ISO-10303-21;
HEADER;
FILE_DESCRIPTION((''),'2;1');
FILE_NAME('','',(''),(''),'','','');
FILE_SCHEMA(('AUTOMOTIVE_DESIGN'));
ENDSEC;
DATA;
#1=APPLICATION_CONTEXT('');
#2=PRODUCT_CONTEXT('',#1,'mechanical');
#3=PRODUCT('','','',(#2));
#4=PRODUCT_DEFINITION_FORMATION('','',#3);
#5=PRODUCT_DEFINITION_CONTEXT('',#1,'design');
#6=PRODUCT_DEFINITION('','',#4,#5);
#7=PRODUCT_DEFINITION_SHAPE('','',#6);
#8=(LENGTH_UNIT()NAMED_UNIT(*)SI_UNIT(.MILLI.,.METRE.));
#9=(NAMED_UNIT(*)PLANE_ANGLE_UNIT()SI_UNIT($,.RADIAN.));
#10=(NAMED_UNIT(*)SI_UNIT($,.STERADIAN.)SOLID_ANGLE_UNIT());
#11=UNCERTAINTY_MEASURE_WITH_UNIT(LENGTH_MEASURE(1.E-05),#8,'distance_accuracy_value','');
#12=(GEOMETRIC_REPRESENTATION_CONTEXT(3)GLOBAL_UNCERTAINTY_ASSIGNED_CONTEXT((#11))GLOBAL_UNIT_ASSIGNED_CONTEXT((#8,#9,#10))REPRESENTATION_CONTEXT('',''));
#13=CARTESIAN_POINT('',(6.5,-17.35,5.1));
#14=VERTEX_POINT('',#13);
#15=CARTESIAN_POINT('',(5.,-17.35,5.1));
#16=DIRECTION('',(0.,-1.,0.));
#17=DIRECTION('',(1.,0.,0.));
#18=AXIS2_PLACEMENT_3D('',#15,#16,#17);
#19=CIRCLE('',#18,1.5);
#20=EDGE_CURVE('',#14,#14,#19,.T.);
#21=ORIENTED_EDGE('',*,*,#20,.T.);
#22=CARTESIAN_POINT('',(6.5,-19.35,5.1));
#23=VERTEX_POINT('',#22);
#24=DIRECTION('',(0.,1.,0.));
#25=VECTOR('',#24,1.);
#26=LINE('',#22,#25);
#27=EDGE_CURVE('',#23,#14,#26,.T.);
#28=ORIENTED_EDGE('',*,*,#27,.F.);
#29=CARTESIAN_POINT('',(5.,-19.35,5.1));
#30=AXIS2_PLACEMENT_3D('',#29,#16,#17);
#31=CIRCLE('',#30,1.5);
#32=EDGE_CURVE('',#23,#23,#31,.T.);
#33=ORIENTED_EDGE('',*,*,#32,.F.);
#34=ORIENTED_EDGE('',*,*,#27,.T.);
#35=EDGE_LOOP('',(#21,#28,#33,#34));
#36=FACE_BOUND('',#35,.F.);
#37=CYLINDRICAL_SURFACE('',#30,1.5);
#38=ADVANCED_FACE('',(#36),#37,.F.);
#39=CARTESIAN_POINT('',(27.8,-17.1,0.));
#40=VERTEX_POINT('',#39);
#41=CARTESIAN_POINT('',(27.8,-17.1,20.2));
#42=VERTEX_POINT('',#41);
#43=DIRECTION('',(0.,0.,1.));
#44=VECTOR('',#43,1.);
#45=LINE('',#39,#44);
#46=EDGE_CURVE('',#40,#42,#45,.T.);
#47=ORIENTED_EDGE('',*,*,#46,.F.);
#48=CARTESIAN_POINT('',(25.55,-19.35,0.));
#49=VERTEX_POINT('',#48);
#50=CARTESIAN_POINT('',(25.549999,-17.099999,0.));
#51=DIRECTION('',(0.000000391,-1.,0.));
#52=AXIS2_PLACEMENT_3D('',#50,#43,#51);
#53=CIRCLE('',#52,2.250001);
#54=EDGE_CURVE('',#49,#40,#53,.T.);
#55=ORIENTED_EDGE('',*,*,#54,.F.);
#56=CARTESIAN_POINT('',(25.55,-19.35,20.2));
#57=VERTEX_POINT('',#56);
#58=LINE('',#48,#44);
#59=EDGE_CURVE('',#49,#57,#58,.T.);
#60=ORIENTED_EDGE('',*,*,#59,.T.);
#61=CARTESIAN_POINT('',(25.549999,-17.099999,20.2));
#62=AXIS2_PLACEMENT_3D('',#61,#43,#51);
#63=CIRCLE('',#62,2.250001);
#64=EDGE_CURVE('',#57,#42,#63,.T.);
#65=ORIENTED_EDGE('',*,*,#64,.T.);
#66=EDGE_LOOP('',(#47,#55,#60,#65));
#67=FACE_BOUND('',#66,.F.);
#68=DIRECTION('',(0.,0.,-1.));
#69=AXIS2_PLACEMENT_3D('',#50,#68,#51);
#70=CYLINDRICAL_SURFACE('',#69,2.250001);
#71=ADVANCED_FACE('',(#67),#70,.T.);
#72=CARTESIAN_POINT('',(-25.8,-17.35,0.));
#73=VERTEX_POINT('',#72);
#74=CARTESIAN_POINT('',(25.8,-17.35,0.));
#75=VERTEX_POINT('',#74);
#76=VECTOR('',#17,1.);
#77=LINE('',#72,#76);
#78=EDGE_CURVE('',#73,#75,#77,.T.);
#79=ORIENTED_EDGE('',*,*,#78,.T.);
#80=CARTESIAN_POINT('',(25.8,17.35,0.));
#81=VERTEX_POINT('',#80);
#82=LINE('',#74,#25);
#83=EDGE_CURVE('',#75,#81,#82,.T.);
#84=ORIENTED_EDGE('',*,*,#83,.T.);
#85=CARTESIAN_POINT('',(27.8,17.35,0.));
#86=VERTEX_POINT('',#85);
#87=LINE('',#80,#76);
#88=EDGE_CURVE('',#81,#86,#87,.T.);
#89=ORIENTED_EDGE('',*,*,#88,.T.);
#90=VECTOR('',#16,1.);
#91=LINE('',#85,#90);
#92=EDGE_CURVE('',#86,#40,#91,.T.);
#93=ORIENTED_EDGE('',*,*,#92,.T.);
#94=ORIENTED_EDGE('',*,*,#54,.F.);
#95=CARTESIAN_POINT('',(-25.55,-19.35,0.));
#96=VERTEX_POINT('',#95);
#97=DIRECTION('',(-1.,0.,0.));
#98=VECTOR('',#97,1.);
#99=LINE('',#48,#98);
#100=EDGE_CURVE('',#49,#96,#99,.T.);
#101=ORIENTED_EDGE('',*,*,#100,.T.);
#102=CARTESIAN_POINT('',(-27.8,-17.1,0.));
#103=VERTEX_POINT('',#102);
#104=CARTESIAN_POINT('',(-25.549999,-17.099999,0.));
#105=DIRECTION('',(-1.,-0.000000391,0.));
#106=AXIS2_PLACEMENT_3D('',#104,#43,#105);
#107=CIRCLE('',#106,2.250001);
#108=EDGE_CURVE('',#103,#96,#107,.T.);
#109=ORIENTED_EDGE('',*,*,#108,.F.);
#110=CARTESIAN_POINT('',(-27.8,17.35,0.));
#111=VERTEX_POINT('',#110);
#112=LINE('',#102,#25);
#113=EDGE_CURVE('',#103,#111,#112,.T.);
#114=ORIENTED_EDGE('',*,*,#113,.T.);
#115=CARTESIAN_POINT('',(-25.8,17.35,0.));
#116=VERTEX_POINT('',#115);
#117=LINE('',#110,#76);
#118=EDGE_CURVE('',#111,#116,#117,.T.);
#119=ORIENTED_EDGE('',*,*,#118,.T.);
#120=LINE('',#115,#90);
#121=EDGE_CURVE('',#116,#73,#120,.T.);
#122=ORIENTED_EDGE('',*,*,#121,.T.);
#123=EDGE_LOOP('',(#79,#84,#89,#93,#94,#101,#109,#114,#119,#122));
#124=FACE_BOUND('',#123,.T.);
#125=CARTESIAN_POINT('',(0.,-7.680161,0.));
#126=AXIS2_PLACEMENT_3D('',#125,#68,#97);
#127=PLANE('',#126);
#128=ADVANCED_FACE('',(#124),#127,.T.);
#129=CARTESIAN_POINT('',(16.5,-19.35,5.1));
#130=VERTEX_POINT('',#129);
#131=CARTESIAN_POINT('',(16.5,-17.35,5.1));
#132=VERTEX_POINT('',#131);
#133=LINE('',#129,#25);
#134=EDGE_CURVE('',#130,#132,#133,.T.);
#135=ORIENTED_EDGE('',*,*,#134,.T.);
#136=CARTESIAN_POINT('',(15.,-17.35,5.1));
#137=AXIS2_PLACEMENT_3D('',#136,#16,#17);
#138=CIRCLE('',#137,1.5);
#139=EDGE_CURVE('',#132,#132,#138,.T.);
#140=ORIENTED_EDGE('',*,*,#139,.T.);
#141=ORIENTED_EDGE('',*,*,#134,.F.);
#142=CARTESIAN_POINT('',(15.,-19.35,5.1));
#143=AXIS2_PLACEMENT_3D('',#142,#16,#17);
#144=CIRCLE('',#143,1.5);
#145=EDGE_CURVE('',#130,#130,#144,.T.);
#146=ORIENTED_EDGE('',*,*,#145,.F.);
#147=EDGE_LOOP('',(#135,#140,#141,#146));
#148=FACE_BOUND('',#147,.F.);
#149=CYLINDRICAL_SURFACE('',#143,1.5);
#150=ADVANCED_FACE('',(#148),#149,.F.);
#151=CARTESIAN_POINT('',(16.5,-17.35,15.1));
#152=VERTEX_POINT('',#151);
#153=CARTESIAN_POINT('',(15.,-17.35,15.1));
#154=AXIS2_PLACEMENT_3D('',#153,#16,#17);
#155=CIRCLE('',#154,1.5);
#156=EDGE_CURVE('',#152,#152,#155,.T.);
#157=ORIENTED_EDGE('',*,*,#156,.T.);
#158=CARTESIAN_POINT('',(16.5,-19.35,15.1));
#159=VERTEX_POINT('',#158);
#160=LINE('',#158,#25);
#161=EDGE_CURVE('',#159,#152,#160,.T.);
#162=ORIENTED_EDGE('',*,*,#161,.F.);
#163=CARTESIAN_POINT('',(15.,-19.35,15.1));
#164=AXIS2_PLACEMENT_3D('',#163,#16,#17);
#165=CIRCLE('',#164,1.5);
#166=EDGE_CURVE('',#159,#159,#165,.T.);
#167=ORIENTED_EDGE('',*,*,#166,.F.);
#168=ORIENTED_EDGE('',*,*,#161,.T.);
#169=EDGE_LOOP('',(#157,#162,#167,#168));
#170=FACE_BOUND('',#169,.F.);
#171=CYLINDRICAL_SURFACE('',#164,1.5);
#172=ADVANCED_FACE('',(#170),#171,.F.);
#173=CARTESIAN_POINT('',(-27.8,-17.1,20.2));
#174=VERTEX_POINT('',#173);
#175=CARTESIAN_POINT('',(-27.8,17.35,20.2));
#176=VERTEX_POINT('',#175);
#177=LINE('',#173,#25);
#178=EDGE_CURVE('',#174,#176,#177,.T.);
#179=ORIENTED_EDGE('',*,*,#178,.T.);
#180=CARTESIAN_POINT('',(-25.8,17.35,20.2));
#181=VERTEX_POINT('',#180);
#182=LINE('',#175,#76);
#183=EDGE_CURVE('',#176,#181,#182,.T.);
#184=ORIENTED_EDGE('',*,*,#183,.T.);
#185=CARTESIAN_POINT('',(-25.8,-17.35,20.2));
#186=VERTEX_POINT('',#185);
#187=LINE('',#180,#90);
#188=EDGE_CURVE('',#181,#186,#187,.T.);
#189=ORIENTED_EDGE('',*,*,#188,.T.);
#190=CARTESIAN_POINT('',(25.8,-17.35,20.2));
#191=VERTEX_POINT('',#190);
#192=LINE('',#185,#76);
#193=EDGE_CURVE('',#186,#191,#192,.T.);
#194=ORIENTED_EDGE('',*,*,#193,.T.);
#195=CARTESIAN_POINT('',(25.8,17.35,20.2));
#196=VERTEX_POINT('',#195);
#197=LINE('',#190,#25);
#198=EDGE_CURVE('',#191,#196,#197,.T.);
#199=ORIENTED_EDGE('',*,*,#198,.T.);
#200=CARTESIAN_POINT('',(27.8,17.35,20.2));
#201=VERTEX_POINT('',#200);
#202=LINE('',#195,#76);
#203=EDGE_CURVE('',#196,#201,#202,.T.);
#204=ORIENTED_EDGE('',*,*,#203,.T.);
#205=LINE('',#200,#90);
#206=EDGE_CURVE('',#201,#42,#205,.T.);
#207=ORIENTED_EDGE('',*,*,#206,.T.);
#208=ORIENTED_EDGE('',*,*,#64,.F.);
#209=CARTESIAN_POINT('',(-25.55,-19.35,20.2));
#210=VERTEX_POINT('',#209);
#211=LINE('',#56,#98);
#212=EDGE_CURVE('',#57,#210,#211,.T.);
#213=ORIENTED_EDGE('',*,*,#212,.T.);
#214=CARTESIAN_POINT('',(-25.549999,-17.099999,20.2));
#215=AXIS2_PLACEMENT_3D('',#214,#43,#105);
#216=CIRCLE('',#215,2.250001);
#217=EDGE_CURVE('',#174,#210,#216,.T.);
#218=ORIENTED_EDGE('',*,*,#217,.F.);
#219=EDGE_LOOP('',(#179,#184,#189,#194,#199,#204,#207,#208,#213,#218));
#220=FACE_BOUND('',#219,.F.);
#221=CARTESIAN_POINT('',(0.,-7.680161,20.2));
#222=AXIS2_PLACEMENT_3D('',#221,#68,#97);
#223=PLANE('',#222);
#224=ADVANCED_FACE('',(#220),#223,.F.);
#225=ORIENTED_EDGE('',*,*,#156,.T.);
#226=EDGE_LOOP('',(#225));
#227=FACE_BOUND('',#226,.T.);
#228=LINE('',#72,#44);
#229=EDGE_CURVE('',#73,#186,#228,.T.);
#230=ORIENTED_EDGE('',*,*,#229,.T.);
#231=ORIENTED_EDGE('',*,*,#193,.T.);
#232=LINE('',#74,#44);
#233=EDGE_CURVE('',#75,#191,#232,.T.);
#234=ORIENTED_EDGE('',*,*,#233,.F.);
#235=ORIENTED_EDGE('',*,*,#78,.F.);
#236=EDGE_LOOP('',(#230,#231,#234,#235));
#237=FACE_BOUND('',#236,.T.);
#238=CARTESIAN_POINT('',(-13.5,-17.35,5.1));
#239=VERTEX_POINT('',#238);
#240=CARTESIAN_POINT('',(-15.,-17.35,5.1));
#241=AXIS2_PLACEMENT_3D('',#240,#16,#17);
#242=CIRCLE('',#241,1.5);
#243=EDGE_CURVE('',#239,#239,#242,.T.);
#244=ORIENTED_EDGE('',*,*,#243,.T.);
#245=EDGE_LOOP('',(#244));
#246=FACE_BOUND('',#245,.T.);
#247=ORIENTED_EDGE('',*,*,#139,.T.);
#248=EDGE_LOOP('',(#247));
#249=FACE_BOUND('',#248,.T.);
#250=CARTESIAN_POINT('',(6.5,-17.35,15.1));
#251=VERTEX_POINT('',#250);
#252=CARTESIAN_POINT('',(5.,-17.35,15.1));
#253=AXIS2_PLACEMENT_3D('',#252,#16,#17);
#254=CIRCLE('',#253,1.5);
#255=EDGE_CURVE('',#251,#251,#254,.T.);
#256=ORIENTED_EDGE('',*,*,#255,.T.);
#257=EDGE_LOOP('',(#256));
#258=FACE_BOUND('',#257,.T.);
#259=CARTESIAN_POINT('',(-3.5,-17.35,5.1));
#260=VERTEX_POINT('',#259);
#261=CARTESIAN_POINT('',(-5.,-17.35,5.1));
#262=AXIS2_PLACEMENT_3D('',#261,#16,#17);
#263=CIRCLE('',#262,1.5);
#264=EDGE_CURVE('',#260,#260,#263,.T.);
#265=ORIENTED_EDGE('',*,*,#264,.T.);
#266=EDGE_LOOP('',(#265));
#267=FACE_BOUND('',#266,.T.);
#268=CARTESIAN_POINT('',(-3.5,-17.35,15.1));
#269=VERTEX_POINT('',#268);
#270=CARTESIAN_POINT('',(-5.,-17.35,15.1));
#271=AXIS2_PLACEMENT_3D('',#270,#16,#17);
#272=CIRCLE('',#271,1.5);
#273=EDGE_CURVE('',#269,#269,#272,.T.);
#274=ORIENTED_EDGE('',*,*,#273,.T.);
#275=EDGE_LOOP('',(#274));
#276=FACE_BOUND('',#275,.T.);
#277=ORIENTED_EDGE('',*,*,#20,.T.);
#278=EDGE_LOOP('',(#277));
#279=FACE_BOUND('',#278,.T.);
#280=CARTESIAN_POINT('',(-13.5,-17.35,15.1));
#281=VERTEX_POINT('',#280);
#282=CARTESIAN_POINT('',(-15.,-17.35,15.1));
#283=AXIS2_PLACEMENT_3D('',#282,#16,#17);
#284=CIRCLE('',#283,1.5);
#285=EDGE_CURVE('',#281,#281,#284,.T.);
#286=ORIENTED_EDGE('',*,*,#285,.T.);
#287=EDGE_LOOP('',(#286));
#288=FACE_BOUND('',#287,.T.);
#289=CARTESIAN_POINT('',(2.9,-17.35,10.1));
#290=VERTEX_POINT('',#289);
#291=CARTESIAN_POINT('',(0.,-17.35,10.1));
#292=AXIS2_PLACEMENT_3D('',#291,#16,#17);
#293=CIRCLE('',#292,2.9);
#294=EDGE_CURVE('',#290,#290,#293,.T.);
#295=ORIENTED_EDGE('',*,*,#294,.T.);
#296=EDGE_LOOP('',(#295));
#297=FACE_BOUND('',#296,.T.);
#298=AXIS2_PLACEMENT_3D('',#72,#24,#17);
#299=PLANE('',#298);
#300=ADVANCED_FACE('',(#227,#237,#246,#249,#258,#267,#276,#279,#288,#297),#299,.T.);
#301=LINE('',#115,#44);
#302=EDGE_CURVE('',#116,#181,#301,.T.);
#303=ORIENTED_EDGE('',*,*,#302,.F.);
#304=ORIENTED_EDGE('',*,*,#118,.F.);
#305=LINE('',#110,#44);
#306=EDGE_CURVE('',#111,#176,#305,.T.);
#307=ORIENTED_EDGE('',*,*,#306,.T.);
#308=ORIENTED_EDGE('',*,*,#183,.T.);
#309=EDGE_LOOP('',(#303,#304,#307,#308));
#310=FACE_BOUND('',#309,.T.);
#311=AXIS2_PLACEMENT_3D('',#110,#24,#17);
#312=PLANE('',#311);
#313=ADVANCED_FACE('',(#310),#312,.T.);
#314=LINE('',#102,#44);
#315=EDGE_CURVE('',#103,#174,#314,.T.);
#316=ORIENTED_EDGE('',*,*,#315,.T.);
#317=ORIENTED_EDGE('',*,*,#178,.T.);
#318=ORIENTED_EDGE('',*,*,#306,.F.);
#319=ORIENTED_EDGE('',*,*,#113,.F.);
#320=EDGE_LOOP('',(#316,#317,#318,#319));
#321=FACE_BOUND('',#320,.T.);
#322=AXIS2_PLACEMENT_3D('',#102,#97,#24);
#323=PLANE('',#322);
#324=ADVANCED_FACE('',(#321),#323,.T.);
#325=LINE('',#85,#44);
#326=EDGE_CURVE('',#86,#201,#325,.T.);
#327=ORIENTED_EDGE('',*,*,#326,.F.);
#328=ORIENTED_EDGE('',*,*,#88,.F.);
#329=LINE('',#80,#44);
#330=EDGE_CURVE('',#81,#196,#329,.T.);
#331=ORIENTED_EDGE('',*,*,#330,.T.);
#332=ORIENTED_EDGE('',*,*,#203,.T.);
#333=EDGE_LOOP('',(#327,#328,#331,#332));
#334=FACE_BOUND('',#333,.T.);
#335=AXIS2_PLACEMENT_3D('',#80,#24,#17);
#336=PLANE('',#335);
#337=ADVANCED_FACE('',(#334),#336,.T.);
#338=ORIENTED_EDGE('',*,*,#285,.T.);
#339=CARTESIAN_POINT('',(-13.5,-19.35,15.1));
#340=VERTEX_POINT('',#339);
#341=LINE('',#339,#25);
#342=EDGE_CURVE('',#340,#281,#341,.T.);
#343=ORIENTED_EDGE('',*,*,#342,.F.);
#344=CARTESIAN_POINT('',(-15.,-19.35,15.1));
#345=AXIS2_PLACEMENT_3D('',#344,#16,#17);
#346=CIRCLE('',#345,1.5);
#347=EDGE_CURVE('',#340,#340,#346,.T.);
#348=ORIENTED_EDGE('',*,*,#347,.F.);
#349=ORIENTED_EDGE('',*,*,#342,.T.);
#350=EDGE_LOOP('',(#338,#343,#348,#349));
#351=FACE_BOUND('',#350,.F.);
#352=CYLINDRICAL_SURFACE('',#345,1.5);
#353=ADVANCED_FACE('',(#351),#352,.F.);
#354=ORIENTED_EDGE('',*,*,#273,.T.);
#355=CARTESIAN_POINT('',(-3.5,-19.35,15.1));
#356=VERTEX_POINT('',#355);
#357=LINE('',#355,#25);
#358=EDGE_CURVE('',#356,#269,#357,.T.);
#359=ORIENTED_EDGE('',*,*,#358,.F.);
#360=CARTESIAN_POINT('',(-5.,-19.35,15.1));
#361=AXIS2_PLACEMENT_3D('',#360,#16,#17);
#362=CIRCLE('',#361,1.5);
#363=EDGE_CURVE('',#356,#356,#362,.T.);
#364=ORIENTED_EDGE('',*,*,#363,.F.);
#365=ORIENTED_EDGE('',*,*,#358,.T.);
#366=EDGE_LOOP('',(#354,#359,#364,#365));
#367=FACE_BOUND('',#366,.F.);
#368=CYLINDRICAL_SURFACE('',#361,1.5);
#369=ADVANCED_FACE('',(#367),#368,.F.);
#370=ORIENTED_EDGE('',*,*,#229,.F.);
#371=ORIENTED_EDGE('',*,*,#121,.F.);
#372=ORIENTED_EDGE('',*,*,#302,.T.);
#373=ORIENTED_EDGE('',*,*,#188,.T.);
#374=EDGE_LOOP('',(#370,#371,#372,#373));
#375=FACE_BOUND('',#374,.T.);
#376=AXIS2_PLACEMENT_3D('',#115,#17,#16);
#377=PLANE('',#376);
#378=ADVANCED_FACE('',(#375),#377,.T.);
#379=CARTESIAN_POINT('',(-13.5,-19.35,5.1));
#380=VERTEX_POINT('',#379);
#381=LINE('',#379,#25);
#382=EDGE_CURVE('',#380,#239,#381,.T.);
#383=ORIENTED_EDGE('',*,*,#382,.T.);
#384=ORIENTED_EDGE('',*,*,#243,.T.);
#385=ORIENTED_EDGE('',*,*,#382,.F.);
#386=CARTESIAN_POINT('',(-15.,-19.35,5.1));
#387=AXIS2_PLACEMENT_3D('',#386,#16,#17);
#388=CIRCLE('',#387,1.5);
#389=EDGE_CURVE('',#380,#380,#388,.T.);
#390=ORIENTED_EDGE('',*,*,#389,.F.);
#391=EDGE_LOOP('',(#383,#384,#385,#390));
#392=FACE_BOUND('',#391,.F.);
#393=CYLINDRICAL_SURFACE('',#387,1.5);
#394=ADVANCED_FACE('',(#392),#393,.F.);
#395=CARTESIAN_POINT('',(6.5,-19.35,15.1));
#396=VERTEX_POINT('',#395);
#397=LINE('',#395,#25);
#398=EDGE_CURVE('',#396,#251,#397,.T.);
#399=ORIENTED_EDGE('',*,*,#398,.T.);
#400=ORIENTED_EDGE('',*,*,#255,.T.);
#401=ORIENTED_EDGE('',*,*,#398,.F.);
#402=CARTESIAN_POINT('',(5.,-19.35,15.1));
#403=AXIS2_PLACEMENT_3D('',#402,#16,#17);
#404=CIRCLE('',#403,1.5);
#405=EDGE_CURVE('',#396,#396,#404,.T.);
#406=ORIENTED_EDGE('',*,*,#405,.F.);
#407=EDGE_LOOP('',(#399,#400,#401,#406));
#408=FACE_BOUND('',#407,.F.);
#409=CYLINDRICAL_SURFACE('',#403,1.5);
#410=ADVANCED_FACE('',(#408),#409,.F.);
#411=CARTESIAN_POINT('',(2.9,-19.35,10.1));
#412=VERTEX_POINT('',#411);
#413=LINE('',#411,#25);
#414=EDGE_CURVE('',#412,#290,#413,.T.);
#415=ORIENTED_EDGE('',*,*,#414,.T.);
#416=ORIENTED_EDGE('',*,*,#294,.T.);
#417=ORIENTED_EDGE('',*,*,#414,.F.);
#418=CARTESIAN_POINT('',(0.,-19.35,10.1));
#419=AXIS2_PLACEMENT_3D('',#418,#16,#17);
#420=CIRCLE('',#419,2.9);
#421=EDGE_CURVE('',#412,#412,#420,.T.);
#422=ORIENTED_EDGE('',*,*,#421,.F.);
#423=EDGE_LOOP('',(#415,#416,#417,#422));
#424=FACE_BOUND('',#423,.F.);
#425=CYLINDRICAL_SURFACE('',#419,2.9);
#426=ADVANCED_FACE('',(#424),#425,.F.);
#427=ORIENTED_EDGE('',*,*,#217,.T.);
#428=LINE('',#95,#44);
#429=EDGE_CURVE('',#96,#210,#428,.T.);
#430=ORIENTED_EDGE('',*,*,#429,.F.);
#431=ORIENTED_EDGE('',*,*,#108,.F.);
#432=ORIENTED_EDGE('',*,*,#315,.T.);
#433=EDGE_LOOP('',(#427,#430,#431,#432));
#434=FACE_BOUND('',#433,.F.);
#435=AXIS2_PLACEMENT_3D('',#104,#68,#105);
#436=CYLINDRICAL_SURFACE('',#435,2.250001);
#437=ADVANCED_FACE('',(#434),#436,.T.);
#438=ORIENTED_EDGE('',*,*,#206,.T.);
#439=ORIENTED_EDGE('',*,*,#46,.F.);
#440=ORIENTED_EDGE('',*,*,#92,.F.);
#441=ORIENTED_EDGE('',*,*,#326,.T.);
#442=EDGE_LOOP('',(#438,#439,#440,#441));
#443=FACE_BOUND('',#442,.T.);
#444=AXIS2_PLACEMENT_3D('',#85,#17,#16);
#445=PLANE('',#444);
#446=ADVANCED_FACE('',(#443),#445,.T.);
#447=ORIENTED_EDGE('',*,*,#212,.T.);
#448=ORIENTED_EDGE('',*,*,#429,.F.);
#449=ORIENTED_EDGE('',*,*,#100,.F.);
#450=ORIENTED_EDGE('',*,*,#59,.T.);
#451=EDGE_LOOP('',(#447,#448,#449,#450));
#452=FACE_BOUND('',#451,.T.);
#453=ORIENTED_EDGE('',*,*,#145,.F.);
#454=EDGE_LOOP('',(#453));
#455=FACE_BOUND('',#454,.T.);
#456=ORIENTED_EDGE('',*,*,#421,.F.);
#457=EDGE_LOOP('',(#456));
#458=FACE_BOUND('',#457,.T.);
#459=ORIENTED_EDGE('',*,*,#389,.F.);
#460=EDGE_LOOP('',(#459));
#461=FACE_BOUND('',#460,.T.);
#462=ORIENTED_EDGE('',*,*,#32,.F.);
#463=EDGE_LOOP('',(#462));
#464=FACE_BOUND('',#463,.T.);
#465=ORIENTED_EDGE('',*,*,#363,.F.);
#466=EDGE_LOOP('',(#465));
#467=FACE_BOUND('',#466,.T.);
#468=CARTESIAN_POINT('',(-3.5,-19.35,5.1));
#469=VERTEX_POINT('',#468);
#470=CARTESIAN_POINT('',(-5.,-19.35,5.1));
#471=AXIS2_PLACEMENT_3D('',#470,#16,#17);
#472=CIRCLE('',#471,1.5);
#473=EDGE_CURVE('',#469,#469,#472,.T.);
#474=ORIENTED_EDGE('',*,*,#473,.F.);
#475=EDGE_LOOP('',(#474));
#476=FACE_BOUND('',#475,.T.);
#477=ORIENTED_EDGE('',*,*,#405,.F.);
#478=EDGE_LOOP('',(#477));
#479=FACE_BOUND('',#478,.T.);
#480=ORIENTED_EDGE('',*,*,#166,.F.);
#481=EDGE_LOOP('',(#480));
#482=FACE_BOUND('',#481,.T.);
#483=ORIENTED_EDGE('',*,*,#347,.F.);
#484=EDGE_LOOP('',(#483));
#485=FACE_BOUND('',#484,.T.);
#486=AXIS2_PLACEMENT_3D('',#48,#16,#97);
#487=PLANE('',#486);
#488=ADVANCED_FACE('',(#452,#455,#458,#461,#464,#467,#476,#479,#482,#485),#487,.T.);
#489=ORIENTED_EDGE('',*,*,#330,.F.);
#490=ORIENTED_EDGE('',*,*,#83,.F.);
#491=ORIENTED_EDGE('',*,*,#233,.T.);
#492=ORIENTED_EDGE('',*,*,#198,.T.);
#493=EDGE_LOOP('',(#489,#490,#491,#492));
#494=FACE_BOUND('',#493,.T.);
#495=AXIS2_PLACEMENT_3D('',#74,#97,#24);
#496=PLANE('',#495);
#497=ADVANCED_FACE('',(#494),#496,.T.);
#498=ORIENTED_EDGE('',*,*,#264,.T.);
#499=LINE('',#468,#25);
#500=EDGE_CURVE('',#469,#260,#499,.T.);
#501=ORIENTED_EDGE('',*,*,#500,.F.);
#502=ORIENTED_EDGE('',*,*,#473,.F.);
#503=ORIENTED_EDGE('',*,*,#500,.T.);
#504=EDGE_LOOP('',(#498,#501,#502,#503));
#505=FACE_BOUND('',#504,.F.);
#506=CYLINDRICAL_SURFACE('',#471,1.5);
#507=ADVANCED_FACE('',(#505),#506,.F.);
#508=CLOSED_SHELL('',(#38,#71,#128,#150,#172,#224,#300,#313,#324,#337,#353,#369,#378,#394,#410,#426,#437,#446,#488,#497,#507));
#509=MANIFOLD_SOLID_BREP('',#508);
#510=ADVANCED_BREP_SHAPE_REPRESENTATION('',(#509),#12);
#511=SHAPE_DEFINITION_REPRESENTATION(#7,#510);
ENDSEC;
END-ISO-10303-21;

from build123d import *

# Parameters (mm, degrees)
PAD_DEPTH     = 20.2
SKETCH001_R   = 2.9
SKETCH001_R_2 = 1.5
POCKET_DEPTH  = 2


with BuildPart() as part:
    # Sketch → Pad (new body)
    with BuildSketch(Plane.XY):
        with BuildLine():
            Line((-27.8, 17.35), (-25.8, 17.35))
            Line((-25.8, 17.35), (-25.8, -17.35))
            Line((-25.8, -17.35), (25.8, -17.35))
            Line((25.8, -17.35), (25.8, 17.35))
            Line((25.8, 17.35), (27.8, 17.35))
            Line((27.8, 17.35), (27.8, -17.1))
            ThreePointArc((25.55, -19.35), (27.14099, -18.69099), (27.8, -17.1))
            Line((25.55, -19.35), (-25.55, -19.35))
            ThreePointArc((-27.8, -17.1), (-27.14099, -18.69099), (-25.55, -19.35))
            Line((-27.8, -17.1), (-27.8, 17.35))
        make_face()
    extrude(amount=PAD_DEPTH)

    # Sketch001 (on Face9 of Pad) → Pocket (cut)
    with BuildSketch(Plane.XZ.offset(19.35)):
        with Locations((0, 10.1)):
            Circle(SKETCH001_R)
        with Locations((5, 15.1)):
            Circle(SKETCH001_R_2)
        with Locations((-5, 15.1)):
            Circle(SKETCH001_R_2)
        with Locations((-5, 5.1)):
            Circle(SKETCH001_R_2)
        with Locations((5, 5.1)):
            Circle(SKETCH001_R_2)
        with Locations((-15, 15.1)):
            Circle(SKETCH001_R_2)
        with Locations((-15, 5.1)):
            Circle(SKETCH001_R_2)
        with Locations((15, 15.1)):
            Circle(SKETCH001_R_2)
        with Locations((15, 5.1)):
            Circle(SKETCH001_R_2)
    extrude(amount=-POCKET_DEPTH, mode=Mode.SUBTRACT)


solid = part.part
